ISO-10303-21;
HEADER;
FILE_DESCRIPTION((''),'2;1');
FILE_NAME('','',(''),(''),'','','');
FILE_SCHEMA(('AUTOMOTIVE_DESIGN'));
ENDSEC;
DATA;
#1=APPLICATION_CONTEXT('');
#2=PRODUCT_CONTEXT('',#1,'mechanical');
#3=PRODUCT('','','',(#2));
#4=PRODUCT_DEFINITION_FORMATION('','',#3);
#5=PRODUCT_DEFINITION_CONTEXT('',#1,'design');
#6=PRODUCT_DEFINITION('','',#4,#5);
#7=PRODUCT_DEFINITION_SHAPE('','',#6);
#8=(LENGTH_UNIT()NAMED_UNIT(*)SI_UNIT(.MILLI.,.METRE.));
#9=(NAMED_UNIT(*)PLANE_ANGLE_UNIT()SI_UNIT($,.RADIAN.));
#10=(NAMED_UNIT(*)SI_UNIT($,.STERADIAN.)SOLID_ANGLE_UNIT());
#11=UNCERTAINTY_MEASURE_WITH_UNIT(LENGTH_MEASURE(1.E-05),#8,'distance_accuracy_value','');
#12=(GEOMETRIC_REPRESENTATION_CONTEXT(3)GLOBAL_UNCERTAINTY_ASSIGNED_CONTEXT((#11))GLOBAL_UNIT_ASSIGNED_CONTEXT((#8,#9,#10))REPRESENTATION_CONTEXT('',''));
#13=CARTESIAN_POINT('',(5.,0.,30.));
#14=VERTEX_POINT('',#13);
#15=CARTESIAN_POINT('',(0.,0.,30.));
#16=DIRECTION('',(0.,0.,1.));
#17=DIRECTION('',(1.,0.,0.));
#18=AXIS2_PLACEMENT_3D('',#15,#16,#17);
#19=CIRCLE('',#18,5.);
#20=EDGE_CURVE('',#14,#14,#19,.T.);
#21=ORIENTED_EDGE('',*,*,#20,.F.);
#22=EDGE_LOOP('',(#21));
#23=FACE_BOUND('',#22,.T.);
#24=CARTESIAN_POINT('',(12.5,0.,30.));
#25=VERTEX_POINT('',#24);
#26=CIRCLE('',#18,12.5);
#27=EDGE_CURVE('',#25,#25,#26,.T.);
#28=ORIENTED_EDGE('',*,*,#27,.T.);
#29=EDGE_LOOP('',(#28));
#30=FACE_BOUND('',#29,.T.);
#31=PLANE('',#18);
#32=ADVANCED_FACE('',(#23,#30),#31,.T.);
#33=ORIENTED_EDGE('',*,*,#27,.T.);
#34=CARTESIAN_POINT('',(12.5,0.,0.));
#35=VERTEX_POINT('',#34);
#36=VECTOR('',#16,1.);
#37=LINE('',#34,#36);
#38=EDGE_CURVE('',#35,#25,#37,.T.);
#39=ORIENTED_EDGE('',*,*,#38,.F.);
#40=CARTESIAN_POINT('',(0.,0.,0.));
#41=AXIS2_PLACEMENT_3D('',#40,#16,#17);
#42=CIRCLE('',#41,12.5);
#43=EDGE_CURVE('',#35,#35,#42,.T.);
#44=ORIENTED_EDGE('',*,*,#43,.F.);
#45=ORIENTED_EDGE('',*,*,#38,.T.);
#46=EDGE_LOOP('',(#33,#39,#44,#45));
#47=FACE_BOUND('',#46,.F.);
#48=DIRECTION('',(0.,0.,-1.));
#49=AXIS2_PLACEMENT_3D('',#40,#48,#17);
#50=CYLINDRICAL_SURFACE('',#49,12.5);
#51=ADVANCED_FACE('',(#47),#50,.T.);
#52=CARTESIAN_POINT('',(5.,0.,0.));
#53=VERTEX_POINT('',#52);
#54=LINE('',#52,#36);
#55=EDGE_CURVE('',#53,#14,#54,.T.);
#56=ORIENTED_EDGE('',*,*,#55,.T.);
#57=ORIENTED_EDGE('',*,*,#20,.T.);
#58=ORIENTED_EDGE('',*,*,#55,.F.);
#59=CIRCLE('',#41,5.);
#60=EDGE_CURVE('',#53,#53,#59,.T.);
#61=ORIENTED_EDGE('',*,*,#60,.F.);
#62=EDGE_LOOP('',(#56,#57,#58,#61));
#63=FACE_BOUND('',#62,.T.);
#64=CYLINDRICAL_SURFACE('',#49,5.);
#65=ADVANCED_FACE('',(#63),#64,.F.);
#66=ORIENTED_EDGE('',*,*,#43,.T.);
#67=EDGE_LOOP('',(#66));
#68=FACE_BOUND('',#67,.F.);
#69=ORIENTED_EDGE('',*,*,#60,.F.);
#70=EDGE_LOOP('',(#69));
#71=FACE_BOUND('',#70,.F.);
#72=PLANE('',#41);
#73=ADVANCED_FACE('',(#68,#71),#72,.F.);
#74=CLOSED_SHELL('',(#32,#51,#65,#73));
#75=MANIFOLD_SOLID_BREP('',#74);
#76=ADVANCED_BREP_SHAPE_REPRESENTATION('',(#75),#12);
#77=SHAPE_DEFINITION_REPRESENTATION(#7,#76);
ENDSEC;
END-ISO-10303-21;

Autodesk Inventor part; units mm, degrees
ref_plane "YZ Plane" through (0, 0, 0) normal (1, 0, 0) x (0, 1, 0)
ref_plane "XZ Plane" through (0, 0, 0) normal (0, 1, 0) x (-1, 0, 0)
ref_plane "XY Plane" through (0, 0, 0) normal (0, 0, 1) x (1, 0, 0)
sketch "Sketch1" plane through (0, 0, 0) normal (0, 0, 1) x (1, 0, 0)
  circle A0 centre (0, 0) radius 12.5
  circle A1 centre (0, 0) radius 5
  dimension "d0" = 25
  dimension "d1" = 10
extrude "Extrusion1" add sketch "Sketch1" along normal blind 30
properties part number "ACOPLE HELICOIDAL"
